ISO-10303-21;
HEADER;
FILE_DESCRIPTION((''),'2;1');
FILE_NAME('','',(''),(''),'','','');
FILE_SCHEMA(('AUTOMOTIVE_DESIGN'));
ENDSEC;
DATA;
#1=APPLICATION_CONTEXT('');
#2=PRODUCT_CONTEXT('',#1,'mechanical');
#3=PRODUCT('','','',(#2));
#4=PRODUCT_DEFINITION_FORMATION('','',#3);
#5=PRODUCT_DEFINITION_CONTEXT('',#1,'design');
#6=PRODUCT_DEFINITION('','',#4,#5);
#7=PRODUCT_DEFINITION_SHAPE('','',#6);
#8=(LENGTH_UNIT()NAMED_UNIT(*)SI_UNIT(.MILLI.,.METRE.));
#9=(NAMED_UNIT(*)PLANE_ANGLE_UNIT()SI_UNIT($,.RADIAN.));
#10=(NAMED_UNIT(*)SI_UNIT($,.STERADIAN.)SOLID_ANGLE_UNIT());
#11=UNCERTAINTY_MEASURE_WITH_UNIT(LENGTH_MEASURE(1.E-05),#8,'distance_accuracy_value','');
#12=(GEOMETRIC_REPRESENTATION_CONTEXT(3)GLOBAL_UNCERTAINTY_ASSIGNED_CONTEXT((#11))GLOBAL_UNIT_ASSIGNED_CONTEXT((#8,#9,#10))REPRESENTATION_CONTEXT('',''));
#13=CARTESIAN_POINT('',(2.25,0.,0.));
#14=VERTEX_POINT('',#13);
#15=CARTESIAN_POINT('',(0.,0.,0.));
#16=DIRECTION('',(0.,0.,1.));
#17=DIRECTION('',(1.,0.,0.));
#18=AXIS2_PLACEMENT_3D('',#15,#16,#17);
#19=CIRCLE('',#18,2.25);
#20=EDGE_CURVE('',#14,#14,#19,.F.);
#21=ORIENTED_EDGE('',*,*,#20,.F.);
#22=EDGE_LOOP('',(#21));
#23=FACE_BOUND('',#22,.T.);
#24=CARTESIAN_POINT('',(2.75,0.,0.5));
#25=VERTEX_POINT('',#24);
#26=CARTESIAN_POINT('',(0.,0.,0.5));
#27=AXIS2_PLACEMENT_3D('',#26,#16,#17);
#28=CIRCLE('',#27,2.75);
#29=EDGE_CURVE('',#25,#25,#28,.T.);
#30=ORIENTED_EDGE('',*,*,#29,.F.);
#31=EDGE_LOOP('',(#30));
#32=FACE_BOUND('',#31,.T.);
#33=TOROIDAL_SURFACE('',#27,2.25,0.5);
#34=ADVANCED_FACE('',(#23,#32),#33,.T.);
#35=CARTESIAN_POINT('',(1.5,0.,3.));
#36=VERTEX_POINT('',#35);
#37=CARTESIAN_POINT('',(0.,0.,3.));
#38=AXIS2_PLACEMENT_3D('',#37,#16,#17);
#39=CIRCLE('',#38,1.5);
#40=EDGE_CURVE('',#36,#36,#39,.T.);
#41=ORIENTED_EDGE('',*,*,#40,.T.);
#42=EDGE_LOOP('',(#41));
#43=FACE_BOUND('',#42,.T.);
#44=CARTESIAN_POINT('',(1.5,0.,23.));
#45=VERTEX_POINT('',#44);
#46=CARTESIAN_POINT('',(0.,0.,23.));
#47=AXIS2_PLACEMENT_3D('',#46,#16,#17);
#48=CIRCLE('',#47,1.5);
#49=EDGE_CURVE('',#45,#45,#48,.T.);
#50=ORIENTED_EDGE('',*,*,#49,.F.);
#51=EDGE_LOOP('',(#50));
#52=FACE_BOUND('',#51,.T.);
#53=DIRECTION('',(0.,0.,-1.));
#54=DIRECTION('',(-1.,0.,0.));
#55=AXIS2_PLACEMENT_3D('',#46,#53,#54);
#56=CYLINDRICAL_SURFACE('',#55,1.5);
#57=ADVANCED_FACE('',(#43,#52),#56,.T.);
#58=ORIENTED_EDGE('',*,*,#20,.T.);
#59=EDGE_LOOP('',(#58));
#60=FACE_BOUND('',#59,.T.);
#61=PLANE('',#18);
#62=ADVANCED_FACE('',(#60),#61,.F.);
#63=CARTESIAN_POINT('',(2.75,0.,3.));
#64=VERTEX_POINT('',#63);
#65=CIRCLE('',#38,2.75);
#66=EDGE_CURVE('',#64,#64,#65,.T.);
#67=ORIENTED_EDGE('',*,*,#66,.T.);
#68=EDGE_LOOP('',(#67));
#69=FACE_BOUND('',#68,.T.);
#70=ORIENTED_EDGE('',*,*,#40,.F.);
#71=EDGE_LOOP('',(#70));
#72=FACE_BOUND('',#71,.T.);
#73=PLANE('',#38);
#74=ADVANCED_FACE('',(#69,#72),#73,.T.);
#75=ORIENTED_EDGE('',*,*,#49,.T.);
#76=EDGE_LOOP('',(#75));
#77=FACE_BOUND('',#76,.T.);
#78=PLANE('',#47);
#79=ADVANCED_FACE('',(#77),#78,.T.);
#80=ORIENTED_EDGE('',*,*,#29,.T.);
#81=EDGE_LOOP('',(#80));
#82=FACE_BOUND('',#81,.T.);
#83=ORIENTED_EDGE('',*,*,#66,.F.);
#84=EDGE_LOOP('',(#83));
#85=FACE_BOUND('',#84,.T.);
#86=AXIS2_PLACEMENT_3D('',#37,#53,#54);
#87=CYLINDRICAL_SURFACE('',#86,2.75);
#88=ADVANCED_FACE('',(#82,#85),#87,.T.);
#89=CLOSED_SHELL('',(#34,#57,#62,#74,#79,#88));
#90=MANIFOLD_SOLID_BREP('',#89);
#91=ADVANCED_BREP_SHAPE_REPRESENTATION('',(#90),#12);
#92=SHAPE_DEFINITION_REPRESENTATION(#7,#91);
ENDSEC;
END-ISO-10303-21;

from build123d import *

# Parameters (mm, degrees)
SKETCH_2_R      = 2.75
EXTRUDE_1_DEPTH = 3
SKETCH_3_R      = 1.5
EXTRUDE_2_DEPTH = 20
FILLET_1_R      = 0.5


with BuildPart() as part:
    # ｽｹｯﾁ2 → ﾎﾞｽ - 押し出し1 (new body)
    with BuildSketch(Plane.XY):
        Circle(SKETCH_2_R)
    extrude(amount=EXTRUDE_1_DEPTH)

    # ｽｹｯﾁ3 → ﾎﾞｽ - 押し出し2 (add)
    with BuildSketch(Plane.XY.offset(3)):
        Circle(SKETCH_3_R)
    extrude(amount=EXTRUDE_2_DEPTH)

    # ﾌｨﾚｯﾄ1
    fillet_1_edges = [part.edges().sort_by_distance(p)[0] for p in [
        (-2.75, 0, 0),
    ]]
    fillet(fillet_1_edges, radius=FILLET_1_R)


solid = part.part
